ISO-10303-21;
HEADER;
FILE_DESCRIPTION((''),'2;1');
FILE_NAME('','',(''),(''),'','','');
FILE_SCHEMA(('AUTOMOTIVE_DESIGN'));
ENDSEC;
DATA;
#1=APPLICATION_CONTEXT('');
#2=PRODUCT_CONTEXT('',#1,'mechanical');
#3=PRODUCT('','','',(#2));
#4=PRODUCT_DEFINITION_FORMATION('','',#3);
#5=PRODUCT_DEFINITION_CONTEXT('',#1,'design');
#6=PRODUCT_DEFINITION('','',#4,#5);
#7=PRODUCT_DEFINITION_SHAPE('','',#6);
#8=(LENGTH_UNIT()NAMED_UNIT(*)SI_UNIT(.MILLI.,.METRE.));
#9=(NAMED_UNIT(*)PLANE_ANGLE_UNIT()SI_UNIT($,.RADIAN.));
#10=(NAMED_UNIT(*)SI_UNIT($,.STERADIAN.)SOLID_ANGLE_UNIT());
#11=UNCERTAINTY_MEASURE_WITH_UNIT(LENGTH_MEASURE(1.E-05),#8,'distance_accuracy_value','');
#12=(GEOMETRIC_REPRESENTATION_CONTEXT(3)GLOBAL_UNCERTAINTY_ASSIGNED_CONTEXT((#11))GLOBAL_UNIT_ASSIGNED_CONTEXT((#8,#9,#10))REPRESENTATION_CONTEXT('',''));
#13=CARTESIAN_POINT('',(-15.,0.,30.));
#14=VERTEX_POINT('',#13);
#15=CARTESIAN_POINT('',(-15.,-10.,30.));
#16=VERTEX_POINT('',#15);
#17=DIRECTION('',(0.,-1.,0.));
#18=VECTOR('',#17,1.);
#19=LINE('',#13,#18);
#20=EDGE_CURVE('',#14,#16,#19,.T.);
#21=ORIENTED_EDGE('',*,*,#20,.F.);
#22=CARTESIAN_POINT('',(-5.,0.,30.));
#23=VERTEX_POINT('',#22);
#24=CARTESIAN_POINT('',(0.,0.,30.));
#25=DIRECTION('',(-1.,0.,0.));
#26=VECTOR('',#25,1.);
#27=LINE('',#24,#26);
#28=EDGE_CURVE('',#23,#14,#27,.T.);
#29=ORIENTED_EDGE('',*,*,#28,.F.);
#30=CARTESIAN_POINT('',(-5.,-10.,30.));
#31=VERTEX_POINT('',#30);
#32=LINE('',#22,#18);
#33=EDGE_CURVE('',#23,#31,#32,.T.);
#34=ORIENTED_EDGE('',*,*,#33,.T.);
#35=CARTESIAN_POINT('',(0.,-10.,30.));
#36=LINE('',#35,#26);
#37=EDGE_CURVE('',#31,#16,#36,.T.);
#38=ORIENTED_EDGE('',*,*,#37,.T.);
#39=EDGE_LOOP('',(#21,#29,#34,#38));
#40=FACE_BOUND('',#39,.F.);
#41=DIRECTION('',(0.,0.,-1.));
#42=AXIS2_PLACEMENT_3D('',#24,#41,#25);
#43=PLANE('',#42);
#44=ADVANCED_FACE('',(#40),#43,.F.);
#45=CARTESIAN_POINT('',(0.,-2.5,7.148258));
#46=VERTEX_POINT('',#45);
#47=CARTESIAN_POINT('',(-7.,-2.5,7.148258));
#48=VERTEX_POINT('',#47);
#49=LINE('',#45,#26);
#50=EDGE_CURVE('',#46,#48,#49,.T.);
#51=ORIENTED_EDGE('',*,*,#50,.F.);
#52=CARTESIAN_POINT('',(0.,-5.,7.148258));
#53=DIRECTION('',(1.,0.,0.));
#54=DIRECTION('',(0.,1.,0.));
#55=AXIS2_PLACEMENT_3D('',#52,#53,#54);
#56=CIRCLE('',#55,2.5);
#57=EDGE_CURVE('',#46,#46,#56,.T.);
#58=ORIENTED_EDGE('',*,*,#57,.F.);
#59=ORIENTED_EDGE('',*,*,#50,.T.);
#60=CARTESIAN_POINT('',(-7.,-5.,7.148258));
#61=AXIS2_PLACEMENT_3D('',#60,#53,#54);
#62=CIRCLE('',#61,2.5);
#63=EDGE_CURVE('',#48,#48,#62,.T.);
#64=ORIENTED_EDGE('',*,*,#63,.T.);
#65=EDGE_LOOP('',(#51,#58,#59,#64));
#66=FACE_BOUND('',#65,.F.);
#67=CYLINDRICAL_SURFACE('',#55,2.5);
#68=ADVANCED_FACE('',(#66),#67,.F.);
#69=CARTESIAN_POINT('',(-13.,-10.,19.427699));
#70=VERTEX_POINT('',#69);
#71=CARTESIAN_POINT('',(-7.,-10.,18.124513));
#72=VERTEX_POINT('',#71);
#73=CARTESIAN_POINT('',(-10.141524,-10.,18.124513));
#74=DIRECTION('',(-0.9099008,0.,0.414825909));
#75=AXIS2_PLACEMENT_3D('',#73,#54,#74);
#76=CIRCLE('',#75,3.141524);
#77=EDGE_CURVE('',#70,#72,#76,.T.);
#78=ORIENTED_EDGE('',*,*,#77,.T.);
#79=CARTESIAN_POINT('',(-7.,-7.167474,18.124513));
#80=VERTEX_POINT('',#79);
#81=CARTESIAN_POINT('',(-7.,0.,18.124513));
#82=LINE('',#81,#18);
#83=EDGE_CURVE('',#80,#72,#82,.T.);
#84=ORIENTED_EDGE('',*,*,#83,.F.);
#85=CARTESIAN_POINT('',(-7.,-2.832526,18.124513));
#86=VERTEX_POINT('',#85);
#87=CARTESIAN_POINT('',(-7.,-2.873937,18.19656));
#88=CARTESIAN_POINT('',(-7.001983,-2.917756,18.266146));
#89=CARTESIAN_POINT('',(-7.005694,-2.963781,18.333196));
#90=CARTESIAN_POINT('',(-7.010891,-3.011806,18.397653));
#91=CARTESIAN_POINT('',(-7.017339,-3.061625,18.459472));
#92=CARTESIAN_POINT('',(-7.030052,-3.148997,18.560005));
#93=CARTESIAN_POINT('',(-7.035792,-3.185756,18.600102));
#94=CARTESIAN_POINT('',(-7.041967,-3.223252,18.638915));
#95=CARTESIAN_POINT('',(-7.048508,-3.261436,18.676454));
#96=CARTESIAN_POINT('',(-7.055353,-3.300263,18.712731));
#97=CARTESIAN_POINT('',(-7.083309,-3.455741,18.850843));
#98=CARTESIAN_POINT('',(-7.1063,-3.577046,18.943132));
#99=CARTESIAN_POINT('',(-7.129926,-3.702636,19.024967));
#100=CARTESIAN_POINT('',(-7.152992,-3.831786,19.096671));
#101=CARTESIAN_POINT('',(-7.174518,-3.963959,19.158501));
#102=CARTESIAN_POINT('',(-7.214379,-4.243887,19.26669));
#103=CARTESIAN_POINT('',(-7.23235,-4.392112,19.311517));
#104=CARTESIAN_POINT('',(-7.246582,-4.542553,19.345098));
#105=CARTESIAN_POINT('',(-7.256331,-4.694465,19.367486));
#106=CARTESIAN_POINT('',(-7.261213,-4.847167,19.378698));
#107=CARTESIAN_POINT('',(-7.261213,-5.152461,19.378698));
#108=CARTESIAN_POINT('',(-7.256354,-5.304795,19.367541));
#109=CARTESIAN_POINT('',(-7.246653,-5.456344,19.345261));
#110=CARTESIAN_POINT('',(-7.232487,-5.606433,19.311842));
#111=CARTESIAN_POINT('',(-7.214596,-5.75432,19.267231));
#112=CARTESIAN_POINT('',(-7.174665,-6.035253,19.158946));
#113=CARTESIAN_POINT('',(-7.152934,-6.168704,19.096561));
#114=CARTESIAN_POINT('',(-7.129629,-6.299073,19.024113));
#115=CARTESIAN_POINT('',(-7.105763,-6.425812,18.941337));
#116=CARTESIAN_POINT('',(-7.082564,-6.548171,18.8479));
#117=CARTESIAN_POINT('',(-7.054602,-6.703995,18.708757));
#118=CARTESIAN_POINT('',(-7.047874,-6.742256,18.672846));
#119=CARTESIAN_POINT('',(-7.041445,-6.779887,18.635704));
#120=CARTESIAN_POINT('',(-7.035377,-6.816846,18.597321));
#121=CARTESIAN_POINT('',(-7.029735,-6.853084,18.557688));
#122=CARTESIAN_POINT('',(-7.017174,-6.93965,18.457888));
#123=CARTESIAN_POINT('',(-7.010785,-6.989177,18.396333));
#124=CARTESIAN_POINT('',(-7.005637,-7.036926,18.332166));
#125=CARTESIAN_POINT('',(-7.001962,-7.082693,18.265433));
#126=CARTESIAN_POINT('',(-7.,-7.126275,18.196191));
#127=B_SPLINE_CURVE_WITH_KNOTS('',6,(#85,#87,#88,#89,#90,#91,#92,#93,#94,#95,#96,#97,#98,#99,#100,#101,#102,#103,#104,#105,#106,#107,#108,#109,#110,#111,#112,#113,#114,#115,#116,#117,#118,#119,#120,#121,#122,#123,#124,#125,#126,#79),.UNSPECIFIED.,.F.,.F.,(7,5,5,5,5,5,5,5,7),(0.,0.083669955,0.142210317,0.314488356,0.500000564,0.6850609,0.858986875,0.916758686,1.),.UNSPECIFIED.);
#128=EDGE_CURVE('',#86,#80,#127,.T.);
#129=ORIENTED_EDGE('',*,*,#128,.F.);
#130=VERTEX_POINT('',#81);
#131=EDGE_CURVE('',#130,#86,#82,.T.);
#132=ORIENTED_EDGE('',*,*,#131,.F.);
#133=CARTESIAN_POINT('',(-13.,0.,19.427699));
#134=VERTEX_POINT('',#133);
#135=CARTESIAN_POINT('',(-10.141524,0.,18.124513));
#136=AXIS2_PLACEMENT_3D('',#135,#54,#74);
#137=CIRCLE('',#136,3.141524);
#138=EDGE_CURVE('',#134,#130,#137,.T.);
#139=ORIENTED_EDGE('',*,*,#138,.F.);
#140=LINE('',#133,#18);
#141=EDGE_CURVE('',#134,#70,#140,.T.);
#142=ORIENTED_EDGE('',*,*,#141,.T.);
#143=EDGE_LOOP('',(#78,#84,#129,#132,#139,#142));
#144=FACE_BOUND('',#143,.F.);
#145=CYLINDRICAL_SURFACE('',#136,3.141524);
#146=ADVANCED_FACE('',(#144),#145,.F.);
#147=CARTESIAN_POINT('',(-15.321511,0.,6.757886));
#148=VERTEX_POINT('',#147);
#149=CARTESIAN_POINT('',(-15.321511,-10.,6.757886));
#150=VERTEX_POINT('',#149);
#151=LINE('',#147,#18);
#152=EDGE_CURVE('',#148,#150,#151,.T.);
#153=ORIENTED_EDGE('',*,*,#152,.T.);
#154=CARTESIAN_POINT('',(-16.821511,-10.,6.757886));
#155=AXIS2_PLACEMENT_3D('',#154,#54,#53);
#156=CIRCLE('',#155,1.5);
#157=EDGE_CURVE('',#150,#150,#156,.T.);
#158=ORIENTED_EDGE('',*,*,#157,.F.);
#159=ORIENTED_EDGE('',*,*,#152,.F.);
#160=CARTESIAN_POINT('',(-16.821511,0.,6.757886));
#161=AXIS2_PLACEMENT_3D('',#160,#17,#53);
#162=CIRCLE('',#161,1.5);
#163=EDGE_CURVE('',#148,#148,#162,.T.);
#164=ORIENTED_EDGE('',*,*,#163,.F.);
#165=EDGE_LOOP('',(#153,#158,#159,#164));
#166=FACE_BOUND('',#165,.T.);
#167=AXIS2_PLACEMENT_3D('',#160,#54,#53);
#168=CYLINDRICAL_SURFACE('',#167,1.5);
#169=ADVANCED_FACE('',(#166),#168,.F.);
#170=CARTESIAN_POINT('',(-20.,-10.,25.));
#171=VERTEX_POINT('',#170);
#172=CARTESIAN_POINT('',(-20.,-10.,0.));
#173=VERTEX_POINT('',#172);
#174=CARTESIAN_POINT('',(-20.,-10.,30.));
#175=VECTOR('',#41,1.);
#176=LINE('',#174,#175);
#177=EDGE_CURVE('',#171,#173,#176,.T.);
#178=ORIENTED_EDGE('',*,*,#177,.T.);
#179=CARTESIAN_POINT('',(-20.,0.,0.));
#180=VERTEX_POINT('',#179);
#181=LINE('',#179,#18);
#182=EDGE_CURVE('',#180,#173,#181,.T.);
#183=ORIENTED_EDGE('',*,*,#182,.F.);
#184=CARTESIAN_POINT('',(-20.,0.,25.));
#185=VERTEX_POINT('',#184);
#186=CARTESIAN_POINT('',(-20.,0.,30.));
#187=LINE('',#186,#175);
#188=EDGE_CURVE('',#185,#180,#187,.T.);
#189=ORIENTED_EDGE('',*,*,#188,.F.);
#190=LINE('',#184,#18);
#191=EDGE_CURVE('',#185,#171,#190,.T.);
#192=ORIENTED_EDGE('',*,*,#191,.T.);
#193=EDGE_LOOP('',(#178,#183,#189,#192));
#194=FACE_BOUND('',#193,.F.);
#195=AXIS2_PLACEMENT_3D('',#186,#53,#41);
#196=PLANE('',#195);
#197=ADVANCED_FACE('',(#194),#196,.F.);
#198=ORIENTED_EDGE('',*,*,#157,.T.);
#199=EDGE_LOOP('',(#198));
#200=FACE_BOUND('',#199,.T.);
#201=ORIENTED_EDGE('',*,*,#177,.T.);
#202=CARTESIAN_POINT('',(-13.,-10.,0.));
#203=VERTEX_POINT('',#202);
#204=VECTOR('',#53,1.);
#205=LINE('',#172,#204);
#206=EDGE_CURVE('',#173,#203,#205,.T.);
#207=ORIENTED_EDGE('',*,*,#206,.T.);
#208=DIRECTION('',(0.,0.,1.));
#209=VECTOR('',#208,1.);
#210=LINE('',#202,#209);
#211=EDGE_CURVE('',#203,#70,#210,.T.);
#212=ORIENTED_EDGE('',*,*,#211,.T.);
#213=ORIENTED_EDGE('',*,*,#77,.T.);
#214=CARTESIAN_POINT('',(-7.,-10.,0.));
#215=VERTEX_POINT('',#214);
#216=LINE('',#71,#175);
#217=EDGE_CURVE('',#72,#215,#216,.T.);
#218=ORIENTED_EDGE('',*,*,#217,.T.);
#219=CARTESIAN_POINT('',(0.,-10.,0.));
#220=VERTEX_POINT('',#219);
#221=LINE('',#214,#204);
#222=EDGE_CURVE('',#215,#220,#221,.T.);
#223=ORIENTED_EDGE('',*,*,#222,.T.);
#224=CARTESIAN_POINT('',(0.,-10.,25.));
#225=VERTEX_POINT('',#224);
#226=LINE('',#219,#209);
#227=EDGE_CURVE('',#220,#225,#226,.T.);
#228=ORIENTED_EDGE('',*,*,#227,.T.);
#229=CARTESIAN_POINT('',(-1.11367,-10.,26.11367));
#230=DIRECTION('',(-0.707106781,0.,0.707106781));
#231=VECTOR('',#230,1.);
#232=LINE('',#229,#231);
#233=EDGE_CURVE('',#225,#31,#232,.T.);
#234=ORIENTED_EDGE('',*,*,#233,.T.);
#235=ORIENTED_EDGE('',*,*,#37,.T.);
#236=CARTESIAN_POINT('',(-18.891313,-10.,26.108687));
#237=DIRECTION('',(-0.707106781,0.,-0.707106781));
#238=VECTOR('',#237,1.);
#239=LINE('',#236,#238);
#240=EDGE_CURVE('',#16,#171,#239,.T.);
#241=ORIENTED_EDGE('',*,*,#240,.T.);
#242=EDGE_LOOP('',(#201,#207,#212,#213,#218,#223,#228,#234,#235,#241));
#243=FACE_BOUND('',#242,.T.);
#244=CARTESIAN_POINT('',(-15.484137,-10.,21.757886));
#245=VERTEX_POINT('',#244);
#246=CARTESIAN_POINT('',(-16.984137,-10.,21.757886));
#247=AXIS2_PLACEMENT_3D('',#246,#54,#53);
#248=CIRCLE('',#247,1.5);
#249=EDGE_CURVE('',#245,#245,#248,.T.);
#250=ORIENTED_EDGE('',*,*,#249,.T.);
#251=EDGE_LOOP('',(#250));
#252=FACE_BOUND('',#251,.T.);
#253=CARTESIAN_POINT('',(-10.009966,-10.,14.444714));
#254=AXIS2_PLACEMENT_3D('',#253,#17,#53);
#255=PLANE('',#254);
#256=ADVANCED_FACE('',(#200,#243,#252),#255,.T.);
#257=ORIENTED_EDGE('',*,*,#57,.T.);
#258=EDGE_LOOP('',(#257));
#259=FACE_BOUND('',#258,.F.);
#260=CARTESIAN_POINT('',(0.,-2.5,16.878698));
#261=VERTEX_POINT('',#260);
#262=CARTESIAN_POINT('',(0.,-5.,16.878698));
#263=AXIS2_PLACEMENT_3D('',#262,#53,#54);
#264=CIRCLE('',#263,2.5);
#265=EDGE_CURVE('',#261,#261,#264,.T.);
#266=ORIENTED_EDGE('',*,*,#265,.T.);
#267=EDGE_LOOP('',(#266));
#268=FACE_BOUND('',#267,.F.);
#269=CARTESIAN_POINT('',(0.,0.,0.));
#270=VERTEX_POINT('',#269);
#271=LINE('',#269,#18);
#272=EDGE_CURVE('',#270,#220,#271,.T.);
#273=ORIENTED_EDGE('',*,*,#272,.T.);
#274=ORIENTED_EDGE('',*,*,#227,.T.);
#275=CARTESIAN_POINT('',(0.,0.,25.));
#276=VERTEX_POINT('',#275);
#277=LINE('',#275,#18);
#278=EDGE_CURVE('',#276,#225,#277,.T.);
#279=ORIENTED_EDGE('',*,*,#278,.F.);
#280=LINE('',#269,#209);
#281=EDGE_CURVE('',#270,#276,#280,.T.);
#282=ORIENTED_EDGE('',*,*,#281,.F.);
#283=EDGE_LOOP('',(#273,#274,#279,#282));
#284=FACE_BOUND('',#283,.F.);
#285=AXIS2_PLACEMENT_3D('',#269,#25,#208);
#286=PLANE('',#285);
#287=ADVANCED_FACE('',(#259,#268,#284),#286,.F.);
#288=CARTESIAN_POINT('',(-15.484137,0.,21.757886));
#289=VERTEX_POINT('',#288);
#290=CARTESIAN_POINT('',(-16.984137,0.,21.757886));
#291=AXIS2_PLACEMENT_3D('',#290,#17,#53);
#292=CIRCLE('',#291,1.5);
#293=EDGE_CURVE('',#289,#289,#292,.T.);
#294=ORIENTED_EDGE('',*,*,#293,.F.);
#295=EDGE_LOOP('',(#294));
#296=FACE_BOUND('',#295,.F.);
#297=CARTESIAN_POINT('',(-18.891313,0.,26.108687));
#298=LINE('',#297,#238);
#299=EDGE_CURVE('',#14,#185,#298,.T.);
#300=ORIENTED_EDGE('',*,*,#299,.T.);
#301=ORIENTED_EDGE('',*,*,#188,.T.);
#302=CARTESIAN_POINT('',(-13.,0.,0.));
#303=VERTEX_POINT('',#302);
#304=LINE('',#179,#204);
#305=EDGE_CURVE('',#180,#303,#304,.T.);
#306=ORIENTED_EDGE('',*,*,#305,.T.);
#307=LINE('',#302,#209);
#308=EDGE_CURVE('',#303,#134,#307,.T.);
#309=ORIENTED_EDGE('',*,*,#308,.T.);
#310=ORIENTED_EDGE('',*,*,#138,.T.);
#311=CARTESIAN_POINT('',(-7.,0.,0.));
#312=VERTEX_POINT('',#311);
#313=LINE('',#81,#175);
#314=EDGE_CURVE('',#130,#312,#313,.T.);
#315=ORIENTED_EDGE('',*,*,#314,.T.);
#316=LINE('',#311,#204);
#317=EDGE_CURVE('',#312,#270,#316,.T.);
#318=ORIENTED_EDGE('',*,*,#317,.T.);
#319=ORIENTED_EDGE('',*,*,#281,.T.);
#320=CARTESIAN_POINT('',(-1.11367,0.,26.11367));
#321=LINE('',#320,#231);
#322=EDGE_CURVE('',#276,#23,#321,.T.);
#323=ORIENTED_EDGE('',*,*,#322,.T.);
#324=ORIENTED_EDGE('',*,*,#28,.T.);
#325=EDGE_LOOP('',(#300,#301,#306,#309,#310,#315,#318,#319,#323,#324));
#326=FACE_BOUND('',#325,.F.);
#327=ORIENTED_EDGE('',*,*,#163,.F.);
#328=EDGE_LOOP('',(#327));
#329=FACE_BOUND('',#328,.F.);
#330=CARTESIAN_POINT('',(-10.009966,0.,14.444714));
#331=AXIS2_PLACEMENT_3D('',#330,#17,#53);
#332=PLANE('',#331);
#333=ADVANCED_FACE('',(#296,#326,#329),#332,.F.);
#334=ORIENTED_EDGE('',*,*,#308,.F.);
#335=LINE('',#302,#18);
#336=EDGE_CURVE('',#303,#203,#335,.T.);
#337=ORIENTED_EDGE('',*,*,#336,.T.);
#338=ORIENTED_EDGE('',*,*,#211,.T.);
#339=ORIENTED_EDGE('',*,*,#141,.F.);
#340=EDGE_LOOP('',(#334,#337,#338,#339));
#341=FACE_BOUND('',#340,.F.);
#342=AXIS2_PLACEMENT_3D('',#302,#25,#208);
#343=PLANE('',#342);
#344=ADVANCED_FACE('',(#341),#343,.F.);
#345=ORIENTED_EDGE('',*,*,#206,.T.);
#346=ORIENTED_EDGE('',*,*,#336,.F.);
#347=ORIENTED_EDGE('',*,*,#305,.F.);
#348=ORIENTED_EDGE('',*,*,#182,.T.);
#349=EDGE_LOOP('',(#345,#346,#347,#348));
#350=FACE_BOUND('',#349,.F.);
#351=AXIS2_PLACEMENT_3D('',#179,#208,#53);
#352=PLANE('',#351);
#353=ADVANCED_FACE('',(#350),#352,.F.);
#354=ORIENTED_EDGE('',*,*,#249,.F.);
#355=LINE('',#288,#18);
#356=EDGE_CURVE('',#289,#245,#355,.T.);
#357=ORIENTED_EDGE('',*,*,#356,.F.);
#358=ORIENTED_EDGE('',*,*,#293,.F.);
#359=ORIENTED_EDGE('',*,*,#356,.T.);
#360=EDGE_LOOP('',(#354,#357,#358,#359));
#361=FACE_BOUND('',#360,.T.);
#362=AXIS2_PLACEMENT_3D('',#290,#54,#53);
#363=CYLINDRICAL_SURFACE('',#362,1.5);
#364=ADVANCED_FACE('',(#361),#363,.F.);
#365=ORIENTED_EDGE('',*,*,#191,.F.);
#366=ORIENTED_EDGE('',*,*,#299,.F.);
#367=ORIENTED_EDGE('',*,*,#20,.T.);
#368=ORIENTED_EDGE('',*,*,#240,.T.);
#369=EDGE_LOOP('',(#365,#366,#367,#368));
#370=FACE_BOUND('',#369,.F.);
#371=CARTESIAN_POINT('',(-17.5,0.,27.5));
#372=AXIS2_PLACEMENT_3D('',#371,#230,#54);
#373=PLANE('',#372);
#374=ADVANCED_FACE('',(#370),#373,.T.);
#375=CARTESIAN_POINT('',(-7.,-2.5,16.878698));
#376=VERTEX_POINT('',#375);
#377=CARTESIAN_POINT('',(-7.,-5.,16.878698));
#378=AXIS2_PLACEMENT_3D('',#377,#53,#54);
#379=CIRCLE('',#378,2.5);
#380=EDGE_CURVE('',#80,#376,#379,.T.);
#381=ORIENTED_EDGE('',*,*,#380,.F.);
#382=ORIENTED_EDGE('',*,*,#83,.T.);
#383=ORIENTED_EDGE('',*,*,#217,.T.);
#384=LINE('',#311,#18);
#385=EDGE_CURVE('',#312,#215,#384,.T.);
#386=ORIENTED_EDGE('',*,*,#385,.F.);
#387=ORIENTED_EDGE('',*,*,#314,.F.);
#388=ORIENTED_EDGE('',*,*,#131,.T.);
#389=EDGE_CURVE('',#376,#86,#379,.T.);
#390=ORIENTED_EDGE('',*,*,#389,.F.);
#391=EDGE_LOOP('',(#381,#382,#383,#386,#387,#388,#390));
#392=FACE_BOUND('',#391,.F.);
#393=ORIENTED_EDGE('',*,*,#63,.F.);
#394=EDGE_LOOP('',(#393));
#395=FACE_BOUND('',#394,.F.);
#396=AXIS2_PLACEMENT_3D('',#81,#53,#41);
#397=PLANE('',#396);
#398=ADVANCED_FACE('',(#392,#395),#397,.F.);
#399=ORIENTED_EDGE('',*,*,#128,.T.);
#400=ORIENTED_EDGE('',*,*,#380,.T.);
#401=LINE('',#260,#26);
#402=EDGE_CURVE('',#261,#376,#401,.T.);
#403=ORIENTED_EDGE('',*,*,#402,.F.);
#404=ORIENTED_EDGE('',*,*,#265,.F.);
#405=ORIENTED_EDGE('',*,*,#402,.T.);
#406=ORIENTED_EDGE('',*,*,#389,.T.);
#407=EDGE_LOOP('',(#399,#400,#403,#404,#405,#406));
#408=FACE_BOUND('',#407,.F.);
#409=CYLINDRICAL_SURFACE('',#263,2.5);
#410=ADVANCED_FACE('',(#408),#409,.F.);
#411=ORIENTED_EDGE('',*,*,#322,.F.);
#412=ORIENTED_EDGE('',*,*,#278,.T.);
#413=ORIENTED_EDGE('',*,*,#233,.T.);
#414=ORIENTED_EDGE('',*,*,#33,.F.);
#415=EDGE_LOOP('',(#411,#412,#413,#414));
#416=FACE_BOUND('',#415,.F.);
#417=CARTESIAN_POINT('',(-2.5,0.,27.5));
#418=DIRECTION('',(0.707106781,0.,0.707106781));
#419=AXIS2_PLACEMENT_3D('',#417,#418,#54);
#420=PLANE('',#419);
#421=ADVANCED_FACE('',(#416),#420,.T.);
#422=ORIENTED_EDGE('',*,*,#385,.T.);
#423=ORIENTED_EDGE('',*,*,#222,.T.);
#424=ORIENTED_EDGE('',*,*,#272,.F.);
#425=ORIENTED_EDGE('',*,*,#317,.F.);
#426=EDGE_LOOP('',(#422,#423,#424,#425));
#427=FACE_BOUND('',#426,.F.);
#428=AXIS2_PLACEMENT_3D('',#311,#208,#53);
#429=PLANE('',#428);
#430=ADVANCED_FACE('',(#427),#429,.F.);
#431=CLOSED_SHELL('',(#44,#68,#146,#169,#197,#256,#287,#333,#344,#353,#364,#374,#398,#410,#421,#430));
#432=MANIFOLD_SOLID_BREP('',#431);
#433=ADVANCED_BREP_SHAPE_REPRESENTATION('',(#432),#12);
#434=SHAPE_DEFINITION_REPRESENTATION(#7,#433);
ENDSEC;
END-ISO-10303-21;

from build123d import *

# Parameters (mm, degrees)
F1_DEPTH = 10
F2_SIZE  = 5
F3_R     = 2.5
F4_DEPTH = 10
F5_R     = 1.5
F6_DEPTH = 12


with BuildPart() as f1:
    # F0 (on Front) → F1 (new body)
    with BuildSketch(Plane.XZ):
        with BuildLine():
            Line((-7, 0), (0, 0))
            Line((0, 0), (0, 30))
            Line((0, 30), (-20, 30))
            Line((-20, 30), (-20, 0))
            Line((-20, 0), (-13, 0))
            Line((-13, 0), (-13, 19.427699))
            ThreePointArc((-13, 19.427699), (-9.474739, 21.19446), (-7, 18.124513))
            Line((-7, 18.124513), (-7, 0))
        make_face()
    extrude(amount=F1_DEPTH)

    # F2
    f2_edges = [f1.edges().sort_by_distance(p)[0] for p in [
        (0, -5, 30),
        (-20, -5, 30),
    ]]
    chamfer(f2_edges, length=F2_SIZE)

    # F3 (on face) → F4 (cut)
    with BuildSketch(Plane.YZ):
        with Locations((-5, 16.878698)):
            Circle(F3_R)
        with Locations((-5, 7.148258)):
            Circle(F3_R)
    extrude(amount=-F4_DEPTH, mode=Mode.SUBTRACT)

    # F5 (on Front) → F6 (cut)
    with BuildSketch(Plane.XZ):
        with Locations((-16.984137, 21.757886)):
            Circle(F5_R)
        with Locations((-16.821511, 6.757886)):
            Circle(F5_R)
    extrude(amount=F6_DEPTH, mode=Mode.SUBTRACT)


solid = f1.part
